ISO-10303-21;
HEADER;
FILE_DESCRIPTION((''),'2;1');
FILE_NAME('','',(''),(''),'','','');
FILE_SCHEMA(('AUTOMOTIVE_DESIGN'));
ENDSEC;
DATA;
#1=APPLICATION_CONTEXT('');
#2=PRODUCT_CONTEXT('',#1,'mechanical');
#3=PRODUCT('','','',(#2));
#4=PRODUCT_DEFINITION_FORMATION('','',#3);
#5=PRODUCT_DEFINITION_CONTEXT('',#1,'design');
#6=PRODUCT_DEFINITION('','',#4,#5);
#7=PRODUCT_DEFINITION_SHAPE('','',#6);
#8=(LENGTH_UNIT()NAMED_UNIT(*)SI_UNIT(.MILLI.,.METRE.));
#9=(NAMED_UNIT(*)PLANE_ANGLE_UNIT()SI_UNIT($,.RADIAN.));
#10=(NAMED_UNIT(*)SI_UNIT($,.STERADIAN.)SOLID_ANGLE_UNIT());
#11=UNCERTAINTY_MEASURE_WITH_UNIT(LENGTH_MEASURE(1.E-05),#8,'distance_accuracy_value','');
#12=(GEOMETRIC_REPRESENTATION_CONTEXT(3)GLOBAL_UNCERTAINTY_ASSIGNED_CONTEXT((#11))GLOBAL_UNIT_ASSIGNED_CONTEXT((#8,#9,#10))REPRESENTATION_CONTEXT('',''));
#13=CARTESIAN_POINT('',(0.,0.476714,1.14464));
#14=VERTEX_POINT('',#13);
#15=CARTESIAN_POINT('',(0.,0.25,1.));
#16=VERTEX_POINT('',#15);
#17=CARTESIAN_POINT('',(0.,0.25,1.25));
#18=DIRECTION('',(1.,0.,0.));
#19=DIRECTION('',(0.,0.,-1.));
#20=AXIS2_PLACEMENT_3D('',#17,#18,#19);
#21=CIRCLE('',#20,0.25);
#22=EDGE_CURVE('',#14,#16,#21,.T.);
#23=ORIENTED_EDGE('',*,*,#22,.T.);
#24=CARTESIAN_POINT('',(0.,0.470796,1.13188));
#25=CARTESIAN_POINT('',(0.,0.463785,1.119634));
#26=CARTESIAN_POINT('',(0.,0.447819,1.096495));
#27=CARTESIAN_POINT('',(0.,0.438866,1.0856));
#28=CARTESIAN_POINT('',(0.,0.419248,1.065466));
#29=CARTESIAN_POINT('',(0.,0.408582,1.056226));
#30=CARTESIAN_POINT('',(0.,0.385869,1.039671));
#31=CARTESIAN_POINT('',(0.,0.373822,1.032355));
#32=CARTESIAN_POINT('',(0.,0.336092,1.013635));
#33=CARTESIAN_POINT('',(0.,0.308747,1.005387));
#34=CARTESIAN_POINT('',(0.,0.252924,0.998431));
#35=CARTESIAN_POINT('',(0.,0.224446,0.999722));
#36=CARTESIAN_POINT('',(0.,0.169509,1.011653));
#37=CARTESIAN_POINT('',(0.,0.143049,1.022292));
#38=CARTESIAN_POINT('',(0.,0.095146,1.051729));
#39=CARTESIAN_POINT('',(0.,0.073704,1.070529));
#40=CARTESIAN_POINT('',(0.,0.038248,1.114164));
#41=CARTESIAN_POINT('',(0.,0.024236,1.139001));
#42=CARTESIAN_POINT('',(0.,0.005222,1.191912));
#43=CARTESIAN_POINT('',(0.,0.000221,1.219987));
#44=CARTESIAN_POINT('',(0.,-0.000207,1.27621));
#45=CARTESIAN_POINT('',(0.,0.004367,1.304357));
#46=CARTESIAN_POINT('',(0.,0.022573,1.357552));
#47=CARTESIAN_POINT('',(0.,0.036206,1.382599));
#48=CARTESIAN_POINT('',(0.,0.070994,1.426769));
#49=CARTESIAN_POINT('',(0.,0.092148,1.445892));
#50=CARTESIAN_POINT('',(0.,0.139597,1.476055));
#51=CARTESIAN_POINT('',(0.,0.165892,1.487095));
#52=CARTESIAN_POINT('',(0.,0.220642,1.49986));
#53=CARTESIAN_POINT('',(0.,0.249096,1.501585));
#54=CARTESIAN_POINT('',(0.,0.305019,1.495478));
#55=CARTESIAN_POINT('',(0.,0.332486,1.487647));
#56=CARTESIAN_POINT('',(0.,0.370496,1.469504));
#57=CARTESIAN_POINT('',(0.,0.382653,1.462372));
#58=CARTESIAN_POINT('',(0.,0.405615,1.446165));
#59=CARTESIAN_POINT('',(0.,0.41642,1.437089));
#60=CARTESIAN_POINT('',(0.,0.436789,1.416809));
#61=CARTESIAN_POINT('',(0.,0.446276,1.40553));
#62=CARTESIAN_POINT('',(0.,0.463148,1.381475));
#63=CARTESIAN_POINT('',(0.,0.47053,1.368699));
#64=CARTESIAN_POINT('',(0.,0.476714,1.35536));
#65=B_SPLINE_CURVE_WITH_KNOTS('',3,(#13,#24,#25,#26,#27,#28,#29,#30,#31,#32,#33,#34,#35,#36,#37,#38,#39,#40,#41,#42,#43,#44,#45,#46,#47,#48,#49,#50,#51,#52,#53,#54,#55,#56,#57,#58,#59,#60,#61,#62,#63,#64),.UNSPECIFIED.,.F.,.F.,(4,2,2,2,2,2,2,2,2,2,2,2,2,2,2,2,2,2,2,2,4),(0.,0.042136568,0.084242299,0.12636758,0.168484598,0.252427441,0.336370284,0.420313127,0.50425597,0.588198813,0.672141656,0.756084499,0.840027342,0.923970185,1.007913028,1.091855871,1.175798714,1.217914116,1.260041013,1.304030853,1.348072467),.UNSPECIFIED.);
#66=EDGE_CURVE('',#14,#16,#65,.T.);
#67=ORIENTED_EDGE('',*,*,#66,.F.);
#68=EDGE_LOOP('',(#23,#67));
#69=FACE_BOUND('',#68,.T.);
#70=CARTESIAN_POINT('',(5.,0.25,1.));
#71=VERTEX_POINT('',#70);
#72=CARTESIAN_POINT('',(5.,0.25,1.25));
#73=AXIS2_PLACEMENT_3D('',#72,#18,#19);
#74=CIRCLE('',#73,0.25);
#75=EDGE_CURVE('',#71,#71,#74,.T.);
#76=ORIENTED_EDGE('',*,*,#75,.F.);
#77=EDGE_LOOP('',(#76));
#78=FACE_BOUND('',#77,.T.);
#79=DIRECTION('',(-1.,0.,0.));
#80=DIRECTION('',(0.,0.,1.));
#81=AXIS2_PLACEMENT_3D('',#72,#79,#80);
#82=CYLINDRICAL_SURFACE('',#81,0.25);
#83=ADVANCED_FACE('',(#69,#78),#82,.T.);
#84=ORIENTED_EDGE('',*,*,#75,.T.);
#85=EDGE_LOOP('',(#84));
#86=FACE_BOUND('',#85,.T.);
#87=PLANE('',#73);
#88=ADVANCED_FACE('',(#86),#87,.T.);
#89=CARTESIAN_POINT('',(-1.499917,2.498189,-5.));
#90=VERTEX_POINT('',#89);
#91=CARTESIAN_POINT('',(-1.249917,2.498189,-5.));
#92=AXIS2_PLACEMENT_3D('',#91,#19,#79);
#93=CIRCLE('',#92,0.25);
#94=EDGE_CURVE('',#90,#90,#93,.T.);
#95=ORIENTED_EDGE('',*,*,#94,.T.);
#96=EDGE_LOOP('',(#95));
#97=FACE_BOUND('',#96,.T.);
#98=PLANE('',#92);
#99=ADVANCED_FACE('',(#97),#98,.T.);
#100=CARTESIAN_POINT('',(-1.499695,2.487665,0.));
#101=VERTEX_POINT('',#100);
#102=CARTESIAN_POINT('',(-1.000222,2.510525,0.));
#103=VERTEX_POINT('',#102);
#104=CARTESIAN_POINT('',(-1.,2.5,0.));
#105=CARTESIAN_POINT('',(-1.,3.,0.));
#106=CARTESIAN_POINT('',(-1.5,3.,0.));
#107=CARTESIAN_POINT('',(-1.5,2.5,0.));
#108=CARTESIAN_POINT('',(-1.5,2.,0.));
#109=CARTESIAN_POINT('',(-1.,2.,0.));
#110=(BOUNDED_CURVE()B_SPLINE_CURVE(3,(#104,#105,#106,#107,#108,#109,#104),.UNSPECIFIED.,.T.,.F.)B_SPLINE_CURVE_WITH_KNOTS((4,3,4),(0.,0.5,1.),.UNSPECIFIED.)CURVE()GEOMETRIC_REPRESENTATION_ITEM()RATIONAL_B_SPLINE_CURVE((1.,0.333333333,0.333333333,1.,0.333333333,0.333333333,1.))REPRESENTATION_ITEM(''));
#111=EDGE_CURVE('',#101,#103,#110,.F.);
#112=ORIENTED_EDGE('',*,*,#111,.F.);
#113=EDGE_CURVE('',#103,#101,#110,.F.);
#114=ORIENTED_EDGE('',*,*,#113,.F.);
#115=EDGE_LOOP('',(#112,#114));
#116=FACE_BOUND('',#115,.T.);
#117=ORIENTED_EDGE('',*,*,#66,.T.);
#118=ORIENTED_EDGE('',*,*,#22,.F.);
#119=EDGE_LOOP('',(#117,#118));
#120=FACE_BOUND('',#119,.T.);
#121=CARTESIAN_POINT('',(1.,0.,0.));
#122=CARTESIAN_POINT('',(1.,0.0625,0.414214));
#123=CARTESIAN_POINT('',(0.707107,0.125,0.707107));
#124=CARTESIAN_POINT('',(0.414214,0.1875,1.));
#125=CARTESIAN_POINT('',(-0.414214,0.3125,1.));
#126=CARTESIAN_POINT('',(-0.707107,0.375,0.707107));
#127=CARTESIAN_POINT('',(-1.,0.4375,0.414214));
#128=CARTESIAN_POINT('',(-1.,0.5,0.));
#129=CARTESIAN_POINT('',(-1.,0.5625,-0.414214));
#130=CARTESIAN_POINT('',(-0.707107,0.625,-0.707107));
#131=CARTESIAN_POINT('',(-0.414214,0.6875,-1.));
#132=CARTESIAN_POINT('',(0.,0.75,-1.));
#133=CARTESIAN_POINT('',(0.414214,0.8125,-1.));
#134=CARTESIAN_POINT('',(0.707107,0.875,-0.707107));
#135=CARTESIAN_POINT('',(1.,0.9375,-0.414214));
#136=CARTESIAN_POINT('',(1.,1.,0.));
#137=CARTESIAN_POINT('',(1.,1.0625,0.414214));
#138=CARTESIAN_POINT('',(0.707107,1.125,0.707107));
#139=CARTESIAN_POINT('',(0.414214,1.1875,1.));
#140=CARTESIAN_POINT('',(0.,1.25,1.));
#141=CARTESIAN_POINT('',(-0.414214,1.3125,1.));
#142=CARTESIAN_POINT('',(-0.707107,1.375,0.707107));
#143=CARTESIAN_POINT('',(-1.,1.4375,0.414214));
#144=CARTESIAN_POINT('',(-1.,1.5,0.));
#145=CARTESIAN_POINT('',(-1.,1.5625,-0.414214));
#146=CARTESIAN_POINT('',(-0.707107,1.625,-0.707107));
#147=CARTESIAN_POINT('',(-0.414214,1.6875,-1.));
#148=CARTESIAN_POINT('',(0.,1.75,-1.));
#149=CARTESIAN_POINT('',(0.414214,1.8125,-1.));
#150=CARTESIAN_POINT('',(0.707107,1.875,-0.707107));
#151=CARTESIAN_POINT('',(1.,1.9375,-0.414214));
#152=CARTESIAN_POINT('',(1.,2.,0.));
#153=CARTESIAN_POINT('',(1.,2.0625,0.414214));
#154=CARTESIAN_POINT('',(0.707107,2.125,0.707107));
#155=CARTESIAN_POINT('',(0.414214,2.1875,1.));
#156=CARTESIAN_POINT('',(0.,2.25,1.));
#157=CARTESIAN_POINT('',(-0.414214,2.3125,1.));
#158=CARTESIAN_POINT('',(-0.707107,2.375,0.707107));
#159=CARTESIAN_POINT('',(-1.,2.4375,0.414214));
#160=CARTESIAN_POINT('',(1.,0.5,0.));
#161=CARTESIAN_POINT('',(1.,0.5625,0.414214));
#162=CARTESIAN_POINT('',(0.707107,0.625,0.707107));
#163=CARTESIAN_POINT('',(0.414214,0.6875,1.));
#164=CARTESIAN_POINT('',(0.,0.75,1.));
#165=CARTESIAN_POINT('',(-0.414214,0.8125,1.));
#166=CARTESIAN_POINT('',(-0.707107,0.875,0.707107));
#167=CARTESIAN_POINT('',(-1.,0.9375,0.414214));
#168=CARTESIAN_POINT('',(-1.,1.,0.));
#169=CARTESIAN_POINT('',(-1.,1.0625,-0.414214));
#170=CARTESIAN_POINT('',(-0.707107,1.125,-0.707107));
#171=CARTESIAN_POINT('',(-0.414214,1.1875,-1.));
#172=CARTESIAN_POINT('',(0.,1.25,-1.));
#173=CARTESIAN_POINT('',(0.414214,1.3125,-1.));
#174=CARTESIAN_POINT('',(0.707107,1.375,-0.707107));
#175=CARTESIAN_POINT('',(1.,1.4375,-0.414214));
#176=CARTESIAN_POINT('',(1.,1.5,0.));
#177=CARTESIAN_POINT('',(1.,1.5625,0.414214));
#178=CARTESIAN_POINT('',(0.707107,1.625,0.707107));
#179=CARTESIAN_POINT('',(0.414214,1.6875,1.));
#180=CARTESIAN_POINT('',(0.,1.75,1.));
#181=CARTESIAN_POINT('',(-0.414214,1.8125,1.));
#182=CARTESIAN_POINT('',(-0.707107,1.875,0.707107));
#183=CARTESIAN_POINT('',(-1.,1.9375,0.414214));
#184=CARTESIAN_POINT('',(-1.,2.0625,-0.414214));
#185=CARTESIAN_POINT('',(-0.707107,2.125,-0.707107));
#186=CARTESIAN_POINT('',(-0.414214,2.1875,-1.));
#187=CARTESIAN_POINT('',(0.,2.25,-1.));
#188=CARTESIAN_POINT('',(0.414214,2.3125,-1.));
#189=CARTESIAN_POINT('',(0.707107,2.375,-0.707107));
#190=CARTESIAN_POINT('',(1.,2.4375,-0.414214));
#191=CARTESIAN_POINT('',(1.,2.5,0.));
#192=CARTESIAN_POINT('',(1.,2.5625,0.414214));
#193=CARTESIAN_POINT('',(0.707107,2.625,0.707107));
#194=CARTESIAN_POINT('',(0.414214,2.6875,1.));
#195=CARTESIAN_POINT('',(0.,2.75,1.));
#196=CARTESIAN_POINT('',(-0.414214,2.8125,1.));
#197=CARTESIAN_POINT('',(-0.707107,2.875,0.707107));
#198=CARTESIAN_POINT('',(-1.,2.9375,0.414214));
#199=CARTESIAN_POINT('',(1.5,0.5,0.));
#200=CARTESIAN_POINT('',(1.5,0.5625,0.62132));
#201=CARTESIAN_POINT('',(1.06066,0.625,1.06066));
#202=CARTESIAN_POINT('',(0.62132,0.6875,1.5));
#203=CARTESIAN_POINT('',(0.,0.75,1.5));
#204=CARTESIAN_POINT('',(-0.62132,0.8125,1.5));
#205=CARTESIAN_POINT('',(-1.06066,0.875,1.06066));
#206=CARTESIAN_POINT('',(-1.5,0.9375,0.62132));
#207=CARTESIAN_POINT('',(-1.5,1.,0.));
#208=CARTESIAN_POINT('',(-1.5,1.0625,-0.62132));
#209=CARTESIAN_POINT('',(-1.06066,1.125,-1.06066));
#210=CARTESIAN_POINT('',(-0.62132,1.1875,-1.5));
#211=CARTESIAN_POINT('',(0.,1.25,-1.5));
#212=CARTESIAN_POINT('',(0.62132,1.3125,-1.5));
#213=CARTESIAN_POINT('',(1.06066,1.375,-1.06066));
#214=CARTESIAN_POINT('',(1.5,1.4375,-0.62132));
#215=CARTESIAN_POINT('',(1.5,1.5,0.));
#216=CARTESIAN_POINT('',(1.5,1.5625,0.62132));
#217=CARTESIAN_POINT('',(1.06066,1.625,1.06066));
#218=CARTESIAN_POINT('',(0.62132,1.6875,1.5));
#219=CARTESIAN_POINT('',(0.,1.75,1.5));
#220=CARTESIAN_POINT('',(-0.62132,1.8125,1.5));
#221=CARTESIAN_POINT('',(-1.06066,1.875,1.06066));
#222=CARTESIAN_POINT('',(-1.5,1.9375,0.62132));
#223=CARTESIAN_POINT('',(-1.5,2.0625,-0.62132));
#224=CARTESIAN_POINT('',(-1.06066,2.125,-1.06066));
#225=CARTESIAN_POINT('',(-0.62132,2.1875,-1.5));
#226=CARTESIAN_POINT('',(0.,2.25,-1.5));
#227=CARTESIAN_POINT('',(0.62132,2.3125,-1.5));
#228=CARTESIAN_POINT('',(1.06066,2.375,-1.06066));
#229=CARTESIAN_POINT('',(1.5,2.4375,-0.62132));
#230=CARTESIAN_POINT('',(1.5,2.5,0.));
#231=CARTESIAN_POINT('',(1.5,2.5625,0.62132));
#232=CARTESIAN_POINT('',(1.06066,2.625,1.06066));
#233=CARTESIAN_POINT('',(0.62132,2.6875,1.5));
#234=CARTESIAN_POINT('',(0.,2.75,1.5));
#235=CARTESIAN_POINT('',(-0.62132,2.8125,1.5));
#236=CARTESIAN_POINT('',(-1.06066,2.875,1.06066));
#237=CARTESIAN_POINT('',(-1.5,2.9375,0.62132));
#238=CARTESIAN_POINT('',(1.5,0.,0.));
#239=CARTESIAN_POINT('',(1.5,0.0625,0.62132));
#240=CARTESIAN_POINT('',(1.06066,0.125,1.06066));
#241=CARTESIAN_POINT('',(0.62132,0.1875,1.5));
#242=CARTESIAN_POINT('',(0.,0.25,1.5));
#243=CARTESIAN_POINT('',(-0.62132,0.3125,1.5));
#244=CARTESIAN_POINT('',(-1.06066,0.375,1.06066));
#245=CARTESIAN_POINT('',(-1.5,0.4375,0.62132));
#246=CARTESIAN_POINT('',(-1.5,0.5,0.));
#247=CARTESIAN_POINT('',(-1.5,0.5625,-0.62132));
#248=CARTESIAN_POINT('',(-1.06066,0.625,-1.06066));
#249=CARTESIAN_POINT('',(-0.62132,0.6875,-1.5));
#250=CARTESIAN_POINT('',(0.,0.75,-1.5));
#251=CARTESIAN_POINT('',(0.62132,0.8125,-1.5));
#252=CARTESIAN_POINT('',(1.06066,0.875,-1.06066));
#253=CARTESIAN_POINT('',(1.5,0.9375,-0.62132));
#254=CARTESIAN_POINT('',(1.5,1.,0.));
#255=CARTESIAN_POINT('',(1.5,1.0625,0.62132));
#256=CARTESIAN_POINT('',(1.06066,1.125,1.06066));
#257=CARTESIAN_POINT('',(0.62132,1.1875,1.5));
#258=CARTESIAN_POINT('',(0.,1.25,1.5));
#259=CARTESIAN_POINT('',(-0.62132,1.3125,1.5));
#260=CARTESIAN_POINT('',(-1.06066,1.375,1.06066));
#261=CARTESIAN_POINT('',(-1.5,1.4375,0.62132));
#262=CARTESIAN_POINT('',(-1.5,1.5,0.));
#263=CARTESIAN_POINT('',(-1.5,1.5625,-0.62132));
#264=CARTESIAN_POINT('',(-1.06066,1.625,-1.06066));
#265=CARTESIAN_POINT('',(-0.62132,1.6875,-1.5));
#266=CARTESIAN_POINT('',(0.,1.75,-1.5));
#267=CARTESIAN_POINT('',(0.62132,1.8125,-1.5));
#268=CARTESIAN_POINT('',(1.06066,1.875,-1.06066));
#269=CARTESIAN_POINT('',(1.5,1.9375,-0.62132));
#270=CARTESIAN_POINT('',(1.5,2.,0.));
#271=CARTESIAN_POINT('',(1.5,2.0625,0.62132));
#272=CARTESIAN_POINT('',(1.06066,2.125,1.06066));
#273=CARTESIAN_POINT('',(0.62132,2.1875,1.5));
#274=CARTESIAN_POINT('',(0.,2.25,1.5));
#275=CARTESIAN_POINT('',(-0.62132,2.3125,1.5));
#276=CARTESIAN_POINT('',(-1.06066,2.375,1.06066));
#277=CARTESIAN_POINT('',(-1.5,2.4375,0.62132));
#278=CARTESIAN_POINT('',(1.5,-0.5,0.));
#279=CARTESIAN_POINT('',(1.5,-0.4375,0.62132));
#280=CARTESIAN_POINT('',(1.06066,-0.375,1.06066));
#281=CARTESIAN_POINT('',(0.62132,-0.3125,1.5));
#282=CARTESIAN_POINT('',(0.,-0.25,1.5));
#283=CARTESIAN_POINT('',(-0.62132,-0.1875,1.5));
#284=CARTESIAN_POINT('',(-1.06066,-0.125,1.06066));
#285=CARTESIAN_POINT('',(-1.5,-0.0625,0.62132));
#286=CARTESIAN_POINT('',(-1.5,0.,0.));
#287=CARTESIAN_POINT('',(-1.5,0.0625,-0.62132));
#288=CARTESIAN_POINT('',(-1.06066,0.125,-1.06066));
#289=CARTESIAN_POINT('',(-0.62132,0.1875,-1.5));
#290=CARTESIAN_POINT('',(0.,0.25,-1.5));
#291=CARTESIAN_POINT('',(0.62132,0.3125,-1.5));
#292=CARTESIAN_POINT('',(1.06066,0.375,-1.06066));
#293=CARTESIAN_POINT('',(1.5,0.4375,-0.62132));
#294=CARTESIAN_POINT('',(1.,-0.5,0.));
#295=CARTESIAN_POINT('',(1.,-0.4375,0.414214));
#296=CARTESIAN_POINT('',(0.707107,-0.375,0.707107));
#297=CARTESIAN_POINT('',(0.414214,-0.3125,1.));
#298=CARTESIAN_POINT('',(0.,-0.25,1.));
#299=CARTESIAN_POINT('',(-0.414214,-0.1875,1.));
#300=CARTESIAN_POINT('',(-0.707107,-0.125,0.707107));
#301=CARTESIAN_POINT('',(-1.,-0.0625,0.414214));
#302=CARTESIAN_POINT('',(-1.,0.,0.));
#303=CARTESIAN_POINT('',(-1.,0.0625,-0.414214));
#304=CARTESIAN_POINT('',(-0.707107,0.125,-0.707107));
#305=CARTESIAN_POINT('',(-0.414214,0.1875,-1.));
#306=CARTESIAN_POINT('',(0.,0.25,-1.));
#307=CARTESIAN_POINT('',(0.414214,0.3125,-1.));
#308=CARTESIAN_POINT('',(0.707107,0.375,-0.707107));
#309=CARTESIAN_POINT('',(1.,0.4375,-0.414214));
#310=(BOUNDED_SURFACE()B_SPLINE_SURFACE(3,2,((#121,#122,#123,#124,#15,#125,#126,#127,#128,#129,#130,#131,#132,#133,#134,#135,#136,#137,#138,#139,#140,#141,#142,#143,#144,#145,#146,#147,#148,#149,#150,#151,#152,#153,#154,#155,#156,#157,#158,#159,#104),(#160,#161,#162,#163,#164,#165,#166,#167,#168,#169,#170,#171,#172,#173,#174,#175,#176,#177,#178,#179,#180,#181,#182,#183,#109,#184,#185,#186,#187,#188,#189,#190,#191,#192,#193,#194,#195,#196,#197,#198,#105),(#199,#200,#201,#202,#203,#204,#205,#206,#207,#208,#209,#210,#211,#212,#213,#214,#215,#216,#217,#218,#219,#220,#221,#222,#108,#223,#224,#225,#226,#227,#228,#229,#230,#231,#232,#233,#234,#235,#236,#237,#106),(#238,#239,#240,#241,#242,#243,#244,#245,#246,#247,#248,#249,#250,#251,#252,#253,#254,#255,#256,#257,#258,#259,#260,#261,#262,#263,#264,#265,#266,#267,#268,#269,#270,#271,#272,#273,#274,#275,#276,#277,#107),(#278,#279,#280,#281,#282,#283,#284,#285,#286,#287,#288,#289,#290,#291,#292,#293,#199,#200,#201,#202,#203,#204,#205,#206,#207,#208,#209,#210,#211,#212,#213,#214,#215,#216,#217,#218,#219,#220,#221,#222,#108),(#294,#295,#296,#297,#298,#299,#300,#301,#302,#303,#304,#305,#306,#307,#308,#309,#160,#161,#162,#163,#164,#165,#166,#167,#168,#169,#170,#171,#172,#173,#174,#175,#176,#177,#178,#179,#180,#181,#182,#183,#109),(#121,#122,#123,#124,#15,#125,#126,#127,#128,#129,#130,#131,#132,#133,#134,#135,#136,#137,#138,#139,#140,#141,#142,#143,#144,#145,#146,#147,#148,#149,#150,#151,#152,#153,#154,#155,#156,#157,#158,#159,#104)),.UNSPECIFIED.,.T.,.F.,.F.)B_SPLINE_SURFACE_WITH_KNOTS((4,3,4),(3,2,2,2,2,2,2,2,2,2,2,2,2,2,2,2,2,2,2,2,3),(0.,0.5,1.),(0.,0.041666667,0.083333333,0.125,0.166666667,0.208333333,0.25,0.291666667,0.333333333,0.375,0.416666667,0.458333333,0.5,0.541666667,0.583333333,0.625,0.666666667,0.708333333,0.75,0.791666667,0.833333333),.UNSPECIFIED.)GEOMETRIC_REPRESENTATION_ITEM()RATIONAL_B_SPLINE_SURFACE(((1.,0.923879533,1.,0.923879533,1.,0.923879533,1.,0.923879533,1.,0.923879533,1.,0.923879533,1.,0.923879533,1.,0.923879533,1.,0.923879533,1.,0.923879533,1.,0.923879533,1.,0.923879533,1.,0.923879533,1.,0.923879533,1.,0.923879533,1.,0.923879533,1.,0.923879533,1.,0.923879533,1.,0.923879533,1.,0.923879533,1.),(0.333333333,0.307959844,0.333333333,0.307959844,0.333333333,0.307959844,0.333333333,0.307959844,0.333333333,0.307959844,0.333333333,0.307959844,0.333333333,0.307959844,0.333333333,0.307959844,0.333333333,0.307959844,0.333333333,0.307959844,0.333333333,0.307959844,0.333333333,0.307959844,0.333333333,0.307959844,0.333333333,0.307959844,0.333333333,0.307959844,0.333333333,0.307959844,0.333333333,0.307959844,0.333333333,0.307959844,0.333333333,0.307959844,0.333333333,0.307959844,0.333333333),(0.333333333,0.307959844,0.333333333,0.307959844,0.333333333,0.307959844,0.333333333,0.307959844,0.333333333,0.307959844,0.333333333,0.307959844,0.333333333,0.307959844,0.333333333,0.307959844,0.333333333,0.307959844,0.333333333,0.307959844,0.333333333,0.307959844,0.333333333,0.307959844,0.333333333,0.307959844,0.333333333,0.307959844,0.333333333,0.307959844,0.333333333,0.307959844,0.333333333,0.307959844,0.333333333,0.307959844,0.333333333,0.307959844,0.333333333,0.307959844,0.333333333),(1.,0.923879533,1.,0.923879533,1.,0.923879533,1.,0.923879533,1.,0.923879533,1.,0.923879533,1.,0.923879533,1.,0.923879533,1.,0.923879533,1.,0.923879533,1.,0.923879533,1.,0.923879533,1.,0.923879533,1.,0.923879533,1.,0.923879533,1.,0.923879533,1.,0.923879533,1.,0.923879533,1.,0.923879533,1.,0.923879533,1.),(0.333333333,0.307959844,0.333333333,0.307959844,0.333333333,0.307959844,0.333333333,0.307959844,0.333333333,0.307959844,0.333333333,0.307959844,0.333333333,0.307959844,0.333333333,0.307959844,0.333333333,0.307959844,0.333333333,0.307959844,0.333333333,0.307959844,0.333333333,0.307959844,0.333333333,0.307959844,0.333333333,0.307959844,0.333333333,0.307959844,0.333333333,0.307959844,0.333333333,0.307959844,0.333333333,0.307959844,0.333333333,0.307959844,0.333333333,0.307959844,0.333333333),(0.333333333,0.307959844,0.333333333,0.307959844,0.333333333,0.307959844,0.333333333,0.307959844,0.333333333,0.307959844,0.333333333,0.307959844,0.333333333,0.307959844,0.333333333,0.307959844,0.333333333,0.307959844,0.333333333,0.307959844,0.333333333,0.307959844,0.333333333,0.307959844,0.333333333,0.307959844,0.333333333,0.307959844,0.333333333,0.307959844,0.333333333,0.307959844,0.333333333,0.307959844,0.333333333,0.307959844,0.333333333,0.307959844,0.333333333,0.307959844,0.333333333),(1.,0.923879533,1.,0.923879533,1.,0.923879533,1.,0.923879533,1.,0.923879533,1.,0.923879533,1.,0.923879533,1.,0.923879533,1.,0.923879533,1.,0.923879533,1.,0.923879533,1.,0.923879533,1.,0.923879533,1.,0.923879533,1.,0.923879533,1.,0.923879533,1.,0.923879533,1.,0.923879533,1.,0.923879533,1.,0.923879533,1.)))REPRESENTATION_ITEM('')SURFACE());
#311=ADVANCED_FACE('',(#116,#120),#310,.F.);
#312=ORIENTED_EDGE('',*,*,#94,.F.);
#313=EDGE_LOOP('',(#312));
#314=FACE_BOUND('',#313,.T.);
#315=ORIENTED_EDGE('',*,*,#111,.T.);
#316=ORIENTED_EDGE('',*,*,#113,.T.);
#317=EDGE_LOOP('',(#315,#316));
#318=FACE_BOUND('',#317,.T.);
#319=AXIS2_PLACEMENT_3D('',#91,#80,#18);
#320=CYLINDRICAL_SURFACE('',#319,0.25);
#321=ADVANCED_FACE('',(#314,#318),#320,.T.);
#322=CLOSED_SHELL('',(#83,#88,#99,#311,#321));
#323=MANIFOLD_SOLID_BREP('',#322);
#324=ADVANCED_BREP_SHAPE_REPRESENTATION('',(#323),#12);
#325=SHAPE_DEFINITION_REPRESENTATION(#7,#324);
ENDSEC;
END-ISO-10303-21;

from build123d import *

# Parameters (mm, degrees)
SWEEP1_PITCH            = 1
SWEEP1_HEIGHT           = 2.5
SWEEP1_RADIUS           = 1.25
SWEEP1_START_ANGLE      = 90
SKETCH5_R               = 0.25
SKETCH6_R               = 0.25
BOSS_EXTRUDE1_DEPTH     = 5
CUT_EXTRUDE3_DEPTH      = 6.900213984
CUT_EXTRUDE3_DEPTH_BACK = 6.900213984
SKETCH11_R              = 0.25
BOSS_EXTRUDE3_DEPTH     = 5


with BuildPart() as part:
    # Sweep1: sweep along a helix
    with BuildLine() as sweep1_path:
        add(Helix(SWEEP1_PITCH, SWEEP1_HEIGHT, SWEEP1_RADIUS, center=(0, 0, 0), direction=(0, 1, 0), lefthand=True, mode=Mode.PRIVATE).rotate(Axis((0, 0, 0), (0, 1, 0)), SWEEP1_START_ANGLE))
    # Sketch5 → Sweep1 (sweep)
    with BuildSketch(Plane.XY):
        with Locations((-1.25, 2.5)):
            Circle(SKETCH5_R)
    sweep(path=sweep1_path.line, is_frenet=True)

    # Sketch6 → Boss-Extrude1 (add)
    with BuildSketch(Plane(origin=(0, 0, 0), x_dir=(-1, 0, 0), z_dir=(0, 0, -1))):
        with Locations(Location((1.249917128, 2.498189297, 0), (0, 0, 179.584887185))):
            Circle(SKETCH6_R)
    extrude(amount=BOSS_EXTRUDE1_DEPTH)

    # Sketch10 → Cut-Extrude3 (cut, two sides: drawn at the far end of the back side and taken through both)
    with BuildSketch(Plane.XY.offset(-CUT_EXTRUDE3_DEPTH_BACK)):
        Polygon((0, 0), (0, 0.476713955), (1.596533829, 0.476713955), (1.596533829, -0.338868321), (0, -0.310206334), align=None)
    extrude(amount=CUT_EXTRUDE3_DEPTH + CUT_EXTRUDE3_DEPTH_BACK, mode=Mode.SUBTRACT)

    # Sketch11 → Boss-Extrude3 (add)
    with BuildSketch(Plane(origin=(0, 0, 0), x_dir=(0, 0, -1), z_dir=(1, 0, 0))):
        with Locations(Location((-1.25, 0.25, 0), (0, 0, 65.074402292))):
            Circle(SKETCH11_R)
    extrude(amount=BOSS_EXTRUDE3_DEPTH)


solid = part.part
